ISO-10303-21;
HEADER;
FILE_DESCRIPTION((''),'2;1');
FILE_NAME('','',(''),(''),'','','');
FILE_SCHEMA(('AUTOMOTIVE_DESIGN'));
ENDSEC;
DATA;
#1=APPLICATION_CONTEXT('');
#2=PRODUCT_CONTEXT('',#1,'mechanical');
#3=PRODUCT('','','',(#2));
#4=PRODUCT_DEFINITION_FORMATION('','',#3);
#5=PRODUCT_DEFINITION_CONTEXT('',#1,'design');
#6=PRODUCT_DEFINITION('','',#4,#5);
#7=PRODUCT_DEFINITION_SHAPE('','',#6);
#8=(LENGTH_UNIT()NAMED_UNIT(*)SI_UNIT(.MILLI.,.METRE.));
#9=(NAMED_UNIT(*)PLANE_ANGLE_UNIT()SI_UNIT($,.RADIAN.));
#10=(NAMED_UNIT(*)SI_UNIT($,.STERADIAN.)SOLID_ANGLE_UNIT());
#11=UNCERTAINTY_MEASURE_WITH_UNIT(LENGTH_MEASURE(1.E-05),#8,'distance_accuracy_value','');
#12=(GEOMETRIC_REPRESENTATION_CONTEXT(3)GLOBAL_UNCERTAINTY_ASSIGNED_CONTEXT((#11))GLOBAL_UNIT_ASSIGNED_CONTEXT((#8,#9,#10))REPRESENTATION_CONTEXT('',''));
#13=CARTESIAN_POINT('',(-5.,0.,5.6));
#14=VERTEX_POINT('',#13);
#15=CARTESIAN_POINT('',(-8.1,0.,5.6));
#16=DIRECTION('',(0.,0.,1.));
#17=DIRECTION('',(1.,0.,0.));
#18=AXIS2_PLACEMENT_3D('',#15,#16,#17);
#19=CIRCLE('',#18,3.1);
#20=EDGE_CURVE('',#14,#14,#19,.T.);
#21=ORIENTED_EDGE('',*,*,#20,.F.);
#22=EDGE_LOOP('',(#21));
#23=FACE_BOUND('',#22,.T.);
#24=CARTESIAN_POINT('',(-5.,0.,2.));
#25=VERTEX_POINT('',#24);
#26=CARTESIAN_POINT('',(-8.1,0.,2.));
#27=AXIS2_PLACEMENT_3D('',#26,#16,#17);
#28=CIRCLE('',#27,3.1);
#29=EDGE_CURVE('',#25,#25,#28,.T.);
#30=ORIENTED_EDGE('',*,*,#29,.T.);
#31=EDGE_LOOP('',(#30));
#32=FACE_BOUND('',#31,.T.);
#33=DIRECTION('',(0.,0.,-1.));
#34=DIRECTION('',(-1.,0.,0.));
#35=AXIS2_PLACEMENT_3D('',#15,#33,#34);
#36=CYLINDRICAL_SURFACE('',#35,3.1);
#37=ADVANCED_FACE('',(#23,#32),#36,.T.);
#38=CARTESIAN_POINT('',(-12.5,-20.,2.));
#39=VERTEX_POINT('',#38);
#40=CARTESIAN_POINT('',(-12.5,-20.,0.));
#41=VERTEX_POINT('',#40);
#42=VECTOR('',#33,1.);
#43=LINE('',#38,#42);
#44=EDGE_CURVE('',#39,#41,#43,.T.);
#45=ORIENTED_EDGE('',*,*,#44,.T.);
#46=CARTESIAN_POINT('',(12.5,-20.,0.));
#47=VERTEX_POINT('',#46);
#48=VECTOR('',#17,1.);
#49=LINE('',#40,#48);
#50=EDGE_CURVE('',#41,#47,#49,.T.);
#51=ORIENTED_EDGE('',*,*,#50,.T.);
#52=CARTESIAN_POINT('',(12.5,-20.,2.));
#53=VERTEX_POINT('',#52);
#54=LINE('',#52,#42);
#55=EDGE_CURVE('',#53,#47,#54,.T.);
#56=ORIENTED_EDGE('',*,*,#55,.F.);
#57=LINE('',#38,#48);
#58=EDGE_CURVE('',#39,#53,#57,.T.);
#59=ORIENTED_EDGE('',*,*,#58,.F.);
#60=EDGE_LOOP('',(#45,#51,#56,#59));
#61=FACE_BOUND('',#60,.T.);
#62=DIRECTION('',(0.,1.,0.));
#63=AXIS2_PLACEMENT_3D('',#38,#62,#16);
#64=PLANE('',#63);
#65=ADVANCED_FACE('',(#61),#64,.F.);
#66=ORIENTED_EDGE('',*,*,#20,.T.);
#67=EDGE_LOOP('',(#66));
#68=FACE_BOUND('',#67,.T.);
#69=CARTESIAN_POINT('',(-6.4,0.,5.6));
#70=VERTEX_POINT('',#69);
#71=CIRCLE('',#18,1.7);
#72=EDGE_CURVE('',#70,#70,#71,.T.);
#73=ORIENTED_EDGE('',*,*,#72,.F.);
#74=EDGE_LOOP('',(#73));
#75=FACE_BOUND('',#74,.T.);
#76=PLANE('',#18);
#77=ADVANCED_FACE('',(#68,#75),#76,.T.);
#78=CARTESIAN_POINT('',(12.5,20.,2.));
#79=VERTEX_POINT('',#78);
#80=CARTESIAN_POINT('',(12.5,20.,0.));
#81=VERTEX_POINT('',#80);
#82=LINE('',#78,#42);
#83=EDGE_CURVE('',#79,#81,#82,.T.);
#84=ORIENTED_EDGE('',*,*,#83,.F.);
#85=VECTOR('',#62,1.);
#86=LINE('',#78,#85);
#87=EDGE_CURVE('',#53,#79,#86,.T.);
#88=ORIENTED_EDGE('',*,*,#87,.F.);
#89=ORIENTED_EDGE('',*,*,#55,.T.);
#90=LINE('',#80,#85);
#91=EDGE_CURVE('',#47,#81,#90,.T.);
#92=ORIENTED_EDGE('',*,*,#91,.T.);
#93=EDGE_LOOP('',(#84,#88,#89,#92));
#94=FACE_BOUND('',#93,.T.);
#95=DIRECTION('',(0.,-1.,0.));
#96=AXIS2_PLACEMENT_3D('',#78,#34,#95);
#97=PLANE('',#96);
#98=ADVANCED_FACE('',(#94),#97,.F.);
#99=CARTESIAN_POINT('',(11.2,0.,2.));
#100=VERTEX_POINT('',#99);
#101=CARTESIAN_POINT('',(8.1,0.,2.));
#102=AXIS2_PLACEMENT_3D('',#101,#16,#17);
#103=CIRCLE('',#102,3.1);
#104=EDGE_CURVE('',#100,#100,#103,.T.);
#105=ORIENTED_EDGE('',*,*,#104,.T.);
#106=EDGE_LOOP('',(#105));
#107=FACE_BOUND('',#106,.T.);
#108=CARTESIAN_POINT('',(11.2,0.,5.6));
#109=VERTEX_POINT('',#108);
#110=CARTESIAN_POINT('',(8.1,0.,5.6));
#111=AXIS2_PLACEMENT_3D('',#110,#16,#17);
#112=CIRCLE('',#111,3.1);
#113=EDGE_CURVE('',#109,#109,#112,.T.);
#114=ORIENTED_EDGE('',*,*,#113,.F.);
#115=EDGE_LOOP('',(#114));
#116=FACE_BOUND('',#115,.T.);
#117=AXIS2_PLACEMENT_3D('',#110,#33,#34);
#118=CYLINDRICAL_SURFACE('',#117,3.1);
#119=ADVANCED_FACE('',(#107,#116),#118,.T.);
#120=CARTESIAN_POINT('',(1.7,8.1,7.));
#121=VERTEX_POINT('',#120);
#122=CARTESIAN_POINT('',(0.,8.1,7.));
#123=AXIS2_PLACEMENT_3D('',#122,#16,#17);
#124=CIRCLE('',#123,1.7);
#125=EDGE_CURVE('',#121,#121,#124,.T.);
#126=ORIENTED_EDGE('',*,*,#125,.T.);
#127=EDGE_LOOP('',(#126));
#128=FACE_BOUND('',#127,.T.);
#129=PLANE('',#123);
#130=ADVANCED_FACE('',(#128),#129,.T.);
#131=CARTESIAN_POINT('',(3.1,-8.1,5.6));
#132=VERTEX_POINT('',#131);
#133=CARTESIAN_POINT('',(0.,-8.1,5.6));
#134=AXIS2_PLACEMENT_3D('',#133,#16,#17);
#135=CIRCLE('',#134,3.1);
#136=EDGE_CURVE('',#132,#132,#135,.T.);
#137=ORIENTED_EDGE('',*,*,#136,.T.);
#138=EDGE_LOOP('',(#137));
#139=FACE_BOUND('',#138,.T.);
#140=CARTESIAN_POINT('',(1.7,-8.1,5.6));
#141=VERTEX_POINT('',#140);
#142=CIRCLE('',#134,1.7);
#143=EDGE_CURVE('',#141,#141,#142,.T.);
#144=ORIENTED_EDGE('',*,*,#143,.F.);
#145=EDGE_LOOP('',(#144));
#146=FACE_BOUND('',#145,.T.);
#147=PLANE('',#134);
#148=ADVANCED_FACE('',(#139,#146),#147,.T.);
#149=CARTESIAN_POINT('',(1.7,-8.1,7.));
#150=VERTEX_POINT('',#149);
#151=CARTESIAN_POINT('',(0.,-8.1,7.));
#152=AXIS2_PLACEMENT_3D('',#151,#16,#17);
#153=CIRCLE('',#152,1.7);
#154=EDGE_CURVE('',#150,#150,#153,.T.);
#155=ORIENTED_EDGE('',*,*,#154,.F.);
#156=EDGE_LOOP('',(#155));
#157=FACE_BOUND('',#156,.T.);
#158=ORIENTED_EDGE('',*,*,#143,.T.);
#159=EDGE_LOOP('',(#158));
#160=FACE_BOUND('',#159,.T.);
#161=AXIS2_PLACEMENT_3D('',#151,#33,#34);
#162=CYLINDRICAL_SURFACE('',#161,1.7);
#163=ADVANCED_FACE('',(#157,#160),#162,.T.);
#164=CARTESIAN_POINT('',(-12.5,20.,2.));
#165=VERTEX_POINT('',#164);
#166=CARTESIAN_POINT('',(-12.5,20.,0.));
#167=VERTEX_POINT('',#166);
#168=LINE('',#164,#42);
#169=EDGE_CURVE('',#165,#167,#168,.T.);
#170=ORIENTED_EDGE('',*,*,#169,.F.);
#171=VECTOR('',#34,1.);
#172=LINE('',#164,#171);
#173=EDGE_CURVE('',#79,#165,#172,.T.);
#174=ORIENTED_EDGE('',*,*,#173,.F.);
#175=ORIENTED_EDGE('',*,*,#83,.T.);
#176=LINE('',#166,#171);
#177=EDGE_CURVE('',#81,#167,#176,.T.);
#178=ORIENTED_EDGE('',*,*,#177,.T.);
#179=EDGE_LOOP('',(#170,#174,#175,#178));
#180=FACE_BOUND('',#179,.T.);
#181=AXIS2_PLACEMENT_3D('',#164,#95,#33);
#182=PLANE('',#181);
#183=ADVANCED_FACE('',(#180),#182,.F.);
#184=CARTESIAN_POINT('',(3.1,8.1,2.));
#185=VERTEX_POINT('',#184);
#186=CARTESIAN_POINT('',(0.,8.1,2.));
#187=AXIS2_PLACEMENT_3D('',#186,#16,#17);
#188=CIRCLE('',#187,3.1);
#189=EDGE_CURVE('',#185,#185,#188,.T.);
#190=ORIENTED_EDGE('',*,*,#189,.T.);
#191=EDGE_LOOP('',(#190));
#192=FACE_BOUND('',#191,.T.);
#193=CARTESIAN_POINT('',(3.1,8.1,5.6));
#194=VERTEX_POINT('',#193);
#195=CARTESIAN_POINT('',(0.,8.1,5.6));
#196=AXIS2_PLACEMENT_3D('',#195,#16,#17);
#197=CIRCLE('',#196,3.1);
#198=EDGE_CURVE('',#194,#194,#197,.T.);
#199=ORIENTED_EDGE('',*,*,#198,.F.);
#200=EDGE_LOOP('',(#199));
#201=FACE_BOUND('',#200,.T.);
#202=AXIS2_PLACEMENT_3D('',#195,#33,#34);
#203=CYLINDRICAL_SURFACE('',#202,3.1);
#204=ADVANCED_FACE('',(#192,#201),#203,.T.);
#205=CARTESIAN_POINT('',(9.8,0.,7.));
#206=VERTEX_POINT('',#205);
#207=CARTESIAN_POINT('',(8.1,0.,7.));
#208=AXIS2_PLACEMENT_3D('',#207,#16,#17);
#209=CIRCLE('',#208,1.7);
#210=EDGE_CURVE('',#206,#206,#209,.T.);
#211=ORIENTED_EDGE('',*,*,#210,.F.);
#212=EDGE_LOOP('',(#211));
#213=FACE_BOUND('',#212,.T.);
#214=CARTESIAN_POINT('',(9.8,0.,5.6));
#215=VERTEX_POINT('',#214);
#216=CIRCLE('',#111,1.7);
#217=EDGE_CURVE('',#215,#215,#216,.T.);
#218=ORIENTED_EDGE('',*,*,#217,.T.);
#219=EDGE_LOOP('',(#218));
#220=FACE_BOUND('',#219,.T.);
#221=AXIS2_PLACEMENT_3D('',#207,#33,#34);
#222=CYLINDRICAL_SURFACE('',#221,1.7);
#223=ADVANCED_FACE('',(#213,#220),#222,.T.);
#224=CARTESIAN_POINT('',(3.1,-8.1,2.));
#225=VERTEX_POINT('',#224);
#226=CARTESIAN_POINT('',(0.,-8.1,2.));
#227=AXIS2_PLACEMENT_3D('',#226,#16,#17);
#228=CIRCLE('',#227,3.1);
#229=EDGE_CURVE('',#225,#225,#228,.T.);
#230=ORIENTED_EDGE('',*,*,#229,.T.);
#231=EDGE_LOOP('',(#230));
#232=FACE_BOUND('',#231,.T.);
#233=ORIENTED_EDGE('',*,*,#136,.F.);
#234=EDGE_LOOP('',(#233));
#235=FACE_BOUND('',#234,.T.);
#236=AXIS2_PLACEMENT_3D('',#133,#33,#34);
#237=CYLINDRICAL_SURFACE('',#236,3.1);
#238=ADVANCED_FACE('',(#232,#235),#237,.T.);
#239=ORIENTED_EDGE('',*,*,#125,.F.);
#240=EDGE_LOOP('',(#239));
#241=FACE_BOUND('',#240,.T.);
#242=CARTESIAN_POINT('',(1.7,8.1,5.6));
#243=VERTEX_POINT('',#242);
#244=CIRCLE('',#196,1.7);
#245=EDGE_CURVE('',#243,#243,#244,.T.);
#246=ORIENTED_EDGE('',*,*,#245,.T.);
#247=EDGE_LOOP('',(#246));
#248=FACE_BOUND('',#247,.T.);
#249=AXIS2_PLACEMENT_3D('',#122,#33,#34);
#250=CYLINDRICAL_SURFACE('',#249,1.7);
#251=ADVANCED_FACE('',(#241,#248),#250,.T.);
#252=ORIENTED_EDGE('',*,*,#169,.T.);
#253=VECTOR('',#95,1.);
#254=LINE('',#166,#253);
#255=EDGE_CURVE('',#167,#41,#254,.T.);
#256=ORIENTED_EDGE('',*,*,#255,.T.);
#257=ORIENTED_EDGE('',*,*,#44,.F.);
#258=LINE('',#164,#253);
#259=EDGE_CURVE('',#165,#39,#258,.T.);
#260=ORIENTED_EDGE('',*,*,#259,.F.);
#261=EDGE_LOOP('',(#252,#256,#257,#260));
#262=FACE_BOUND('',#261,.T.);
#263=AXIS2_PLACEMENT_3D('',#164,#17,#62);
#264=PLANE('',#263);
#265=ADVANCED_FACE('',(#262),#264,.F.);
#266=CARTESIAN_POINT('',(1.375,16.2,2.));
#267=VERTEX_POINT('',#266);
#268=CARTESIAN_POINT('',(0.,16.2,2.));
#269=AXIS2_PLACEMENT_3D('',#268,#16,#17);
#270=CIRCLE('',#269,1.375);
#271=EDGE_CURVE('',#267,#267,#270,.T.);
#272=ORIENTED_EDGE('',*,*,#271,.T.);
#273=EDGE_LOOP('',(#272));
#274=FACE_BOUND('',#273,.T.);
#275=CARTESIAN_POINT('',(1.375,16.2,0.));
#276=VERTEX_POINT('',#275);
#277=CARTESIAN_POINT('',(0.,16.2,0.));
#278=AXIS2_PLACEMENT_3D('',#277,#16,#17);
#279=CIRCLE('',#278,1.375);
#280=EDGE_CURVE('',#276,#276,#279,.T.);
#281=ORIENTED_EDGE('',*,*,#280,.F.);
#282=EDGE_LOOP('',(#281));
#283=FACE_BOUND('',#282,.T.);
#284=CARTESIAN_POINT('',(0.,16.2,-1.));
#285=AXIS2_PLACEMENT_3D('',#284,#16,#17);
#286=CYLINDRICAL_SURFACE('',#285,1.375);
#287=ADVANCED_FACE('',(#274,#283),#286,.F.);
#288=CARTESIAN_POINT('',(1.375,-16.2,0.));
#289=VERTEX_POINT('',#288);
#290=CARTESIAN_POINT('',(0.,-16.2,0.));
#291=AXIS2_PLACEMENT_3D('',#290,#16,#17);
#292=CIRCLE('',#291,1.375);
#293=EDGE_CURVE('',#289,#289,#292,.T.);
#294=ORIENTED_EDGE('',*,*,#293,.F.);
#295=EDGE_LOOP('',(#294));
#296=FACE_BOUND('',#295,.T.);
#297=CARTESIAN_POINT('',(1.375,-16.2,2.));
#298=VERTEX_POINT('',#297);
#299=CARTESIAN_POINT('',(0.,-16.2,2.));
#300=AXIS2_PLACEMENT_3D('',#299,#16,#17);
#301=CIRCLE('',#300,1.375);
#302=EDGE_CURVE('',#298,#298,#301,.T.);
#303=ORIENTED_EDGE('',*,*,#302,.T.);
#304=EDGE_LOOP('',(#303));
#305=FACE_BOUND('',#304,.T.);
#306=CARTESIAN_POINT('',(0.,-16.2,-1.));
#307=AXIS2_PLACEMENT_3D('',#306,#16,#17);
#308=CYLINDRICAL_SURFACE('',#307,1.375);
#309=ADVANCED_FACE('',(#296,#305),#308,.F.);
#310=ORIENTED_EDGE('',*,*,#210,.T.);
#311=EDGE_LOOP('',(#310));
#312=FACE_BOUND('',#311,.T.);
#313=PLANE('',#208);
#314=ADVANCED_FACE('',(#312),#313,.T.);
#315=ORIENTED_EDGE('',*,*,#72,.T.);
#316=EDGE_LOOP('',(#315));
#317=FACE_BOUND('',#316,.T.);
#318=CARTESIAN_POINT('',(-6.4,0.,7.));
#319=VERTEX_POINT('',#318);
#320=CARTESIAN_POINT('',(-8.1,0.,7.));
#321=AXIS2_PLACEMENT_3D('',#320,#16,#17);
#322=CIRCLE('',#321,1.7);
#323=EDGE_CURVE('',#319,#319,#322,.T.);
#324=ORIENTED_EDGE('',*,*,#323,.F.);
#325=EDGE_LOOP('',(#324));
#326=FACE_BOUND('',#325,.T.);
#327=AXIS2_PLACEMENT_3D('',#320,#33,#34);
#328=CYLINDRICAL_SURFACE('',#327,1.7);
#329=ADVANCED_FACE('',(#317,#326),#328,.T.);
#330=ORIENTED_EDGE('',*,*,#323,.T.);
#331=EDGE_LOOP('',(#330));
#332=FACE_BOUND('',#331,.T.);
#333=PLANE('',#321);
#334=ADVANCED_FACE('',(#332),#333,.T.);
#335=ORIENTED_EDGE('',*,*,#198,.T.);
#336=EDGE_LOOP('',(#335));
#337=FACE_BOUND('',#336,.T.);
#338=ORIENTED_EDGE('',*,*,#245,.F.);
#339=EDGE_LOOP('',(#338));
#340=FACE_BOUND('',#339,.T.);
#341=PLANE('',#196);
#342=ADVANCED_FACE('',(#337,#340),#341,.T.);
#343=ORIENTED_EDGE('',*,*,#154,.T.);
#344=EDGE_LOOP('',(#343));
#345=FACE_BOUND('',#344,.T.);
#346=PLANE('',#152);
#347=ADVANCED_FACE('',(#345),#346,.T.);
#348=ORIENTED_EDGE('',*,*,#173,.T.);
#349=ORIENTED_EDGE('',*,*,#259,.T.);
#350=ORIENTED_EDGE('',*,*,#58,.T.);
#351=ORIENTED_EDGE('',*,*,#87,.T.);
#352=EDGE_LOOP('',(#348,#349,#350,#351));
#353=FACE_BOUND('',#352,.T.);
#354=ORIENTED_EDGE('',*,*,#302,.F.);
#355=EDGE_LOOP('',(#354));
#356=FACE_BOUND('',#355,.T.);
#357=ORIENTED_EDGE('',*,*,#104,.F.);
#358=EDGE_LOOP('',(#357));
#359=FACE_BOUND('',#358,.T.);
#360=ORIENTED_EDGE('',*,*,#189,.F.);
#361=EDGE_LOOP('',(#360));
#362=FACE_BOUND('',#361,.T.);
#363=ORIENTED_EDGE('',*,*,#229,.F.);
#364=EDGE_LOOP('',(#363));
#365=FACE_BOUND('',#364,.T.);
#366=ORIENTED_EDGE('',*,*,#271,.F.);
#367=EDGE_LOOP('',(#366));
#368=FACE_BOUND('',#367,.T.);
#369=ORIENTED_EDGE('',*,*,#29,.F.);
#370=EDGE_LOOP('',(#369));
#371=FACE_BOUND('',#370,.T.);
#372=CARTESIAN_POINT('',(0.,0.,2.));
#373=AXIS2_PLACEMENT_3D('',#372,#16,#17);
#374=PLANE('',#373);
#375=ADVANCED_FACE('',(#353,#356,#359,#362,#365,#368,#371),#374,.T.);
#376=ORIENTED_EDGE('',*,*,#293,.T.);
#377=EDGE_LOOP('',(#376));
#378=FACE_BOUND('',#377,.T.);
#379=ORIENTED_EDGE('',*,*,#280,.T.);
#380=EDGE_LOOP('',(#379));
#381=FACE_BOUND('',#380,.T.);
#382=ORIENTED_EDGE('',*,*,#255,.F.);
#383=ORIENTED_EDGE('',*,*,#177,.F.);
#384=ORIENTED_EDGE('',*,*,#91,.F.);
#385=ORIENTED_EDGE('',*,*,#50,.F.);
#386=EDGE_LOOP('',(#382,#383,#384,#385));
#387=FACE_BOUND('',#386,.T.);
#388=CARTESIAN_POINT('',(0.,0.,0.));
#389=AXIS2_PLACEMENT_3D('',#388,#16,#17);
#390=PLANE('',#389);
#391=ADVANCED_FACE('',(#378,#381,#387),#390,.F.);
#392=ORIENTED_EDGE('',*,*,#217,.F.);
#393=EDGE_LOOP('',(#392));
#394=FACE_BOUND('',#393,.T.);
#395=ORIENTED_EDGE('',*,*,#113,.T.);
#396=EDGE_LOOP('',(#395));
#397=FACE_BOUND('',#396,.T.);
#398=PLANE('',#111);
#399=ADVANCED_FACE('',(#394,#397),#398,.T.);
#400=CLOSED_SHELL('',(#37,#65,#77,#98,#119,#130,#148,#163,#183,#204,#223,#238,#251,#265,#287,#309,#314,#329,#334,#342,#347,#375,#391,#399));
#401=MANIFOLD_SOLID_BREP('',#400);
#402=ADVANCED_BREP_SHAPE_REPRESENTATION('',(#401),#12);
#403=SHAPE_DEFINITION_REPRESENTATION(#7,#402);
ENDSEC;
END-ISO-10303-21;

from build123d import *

# Parameters (mm, degrees)
SKETCH1_W           = 25
SKETCH1_H           = 40
BOSS_EXTRUDE1_DEPTH = 2
SKETCH2_R           = 3.1
BOSS_EXTRUDE2_DEPTH = 3.6
SKETCH3_R           = 1.7
BOSS_EXTRUDE3_DEPTH = 1.4
SKETCH4_R           = 1.7
BOSS_EXTRUDE4_DEPTH = 1.4
SKETCH5_R           = 1.7
BOSS_EXTRUDE5_DEPTH = 1.4
SKETCH6_R           = 1.7
BOSS_EXTRUDE6_DEPTH = 1.4
SKETCH7_R           = 1.375
CUT_EXTRUDE1_DEPTH  = 3


with BuildPart() as part:
    # Sketch1 → Boss-Extrude1 (new body)
    with BuildSketch(Plane.XY):
        Rectangle(SKETCH1_W, SKETCH1_H)
    extrude(amount=BOSS_EXTRUDE1_DEPTH)

    # Sketch2 → Boss-Extrude2 (add)
    with BuildSketch(Plane.XY.offset(2)):
        with Locations((-8.1, 0)):
            Circle(SKETCH2_R)
        with Locations((8.1, 0)):
            Circle(SKETCH2_R)
        with Locations((0, 8.1)):
            Circle(SKETCH2_R)
        with Locations((0, -8.1)):
            Circle(SKETCH2_R)
    extrude(amount=BOSS_EXTRUDE2_DEPTH)

    # Sketch3 → Boss-Extrude3 (add)
    with BuildSketch(Plane.XY.offset(5.6)):
        with Locations((0, 8.1)):
            Circle(SKETCH3_R)
    extrude(amount=BOSS_EXTRUDE3_DEPTH)

    # Sketch4 → Boss-Extrude4 (add)
    with BuildSketch(Plane.XY.offset(5.6)):
        with Locations((-8.1, 0)):
            Circle(SKETCH4_R)
    extrude(amount=BOSS_EXTRUDE4_DEPTH)

    # Sketch5 → Boss-Extrude5 (add)
    with BuildSketch(Plane.XY.offset(5.6)):
        with Locations((8.1, 0)):
            Circle(SKETCH5_R)
    extrude(amount=BOSS_EXTRUDE5_DEPTH)

    # Sketch6 → Boss-Extrude6 (add)
    with BuildSketch(Plane.XY.offset(5.6)):
        with Locations((0, -8.1)):
            Circle(SKETCH6_R)
    extrude(amount=BOSS_EXTRUDE6_DEPTH)

    # Sketch7 → Cut-Extrude1 (cut)
    with BuildSketch(Plane.XY.offset(2)):
        with Locations((0, 16.2)):
            Circle(SKETCH7_R)
        with Locations((0, -16.2)):
            Circle(SKETCH7_R)
    extrude(amount=-CUT_EXTRUDE1_DEPTH, mode=Mode.SUBTRACT)


solid = part.part
